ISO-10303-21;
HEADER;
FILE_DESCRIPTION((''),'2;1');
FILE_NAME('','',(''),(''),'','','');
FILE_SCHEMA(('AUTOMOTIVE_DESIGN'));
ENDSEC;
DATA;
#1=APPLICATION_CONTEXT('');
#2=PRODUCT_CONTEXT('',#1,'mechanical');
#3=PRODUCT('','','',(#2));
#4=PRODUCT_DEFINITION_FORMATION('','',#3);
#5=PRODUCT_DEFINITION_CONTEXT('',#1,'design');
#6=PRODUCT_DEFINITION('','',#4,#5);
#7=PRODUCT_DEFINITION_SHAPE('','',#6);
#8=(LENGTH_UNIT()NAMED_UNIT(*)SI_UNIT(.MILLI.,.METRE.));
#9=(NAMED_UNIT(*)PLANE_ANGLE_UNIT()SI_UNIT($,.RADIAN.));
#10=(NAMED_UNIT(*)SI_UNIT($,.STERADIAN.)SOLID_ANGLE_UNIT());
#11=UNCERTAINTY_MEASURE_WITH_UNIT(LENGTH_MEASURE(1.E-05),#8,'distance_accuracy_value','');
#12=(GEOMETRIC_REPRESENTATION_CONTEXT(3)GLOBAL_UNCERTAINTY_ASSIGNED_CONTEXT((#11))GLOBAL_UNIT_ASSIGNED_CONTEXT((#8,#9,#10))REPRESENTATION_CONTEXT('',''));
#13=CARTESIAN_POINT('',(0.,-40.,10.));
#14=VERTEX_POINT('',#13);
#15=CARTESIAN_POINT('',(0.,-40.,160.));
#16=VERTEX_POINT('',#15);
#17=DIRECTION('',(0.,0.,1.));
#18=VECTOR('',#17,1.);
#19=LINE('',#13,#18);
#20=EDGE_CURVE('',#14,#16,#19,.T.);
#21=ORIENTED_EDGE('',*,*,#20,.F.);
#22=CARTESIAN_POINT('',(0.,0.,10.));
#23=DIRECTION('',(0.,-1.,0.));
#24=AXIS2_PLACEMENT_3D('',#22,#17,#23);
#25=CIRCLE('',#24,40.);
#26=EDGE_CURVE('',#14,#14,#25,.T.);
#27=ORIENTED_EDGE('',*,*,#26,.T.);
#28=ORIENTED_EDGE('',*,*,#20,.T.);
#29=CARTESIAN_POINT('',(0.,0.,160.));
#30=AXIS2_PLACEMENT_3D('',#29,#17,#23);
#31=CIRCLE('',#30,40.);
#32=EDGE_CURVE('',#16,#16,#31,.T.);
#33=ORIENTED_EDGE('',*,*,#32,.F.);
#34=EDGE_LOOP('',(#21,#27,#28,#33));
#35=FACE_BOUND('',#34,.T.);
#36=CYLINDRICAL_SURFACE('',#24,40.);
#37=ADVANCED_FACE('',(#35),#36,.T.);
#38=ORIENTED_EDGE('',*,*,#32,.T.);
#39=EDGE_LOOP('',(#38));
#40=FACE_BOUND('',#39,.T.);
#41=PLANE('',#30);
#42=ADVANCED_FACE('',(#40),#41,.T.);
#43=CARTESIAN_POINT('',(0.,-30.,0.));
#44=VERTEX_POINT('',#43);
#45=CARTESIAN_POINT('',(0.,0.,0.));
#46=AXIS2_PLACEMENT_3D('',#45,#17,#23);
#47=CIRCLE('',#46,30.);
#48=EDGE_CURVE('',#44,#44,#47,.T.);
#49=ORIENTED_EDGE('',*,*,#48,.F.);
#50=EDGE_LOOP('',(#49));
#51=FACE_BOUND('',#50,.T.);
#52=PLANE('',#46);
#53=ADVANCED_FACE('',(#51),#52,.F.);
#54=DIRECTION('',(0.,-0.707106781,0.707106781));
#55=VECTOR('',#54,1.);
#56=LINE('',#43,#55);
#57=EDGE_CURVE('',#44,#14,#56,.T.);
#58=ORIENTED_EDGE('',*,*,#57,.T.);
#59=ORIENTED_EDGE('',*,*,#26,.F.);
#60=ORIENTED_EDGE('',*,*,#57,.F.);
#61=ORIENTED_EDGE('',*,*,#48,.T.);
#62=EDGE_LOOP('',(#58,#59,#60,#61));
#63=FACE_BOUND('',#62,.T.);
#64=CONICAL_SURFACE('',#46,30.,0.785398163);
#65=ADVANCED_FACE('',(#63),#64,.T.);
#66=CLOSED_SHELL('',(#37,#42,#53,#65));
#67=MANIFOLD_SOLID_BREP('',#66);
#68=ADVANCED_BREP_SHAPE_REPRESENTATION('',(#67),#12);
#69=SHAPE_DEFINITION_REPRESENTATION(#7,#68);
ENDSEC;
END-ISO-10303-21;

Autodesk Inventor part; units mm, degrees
ref_plane "YZ Plane" through (0, 0, 0) normal (1, 0, 0) x (0, 1, 0)
ref_plane "XZ Plane" through (0, 0, 0) normal (0, 1, 0) x (-1, 0, 0)
ref_plane "XY Plane" through (0, 0, 0) normal (0, 0, 1) x (1, 0, 0)
sketch "Skizze2" plane through (0, 0, 0) normal (1, 0, 0) x (0, 1, 0)
  line L0 (0, -33.6907) -> (0, 203.7987)
  line L1 (0, 0) -> (-30, 0)
  line L2 (-30, 0) -> (-40, 10)
  line L3 (-40, 10) -> (-40, 160)
  line L4 (-40, 160) -> (0, 160)
  dimension "d0" = 160
  dimension "d1" = 80
  dimension "d2" = 45
  dimension "d3" = 10
revolve "Umdrehung1" add sketch "Skizze2" angle 360 about axis through (0, 0, -33.6907) along (0, 0, 1)
properties part number "Dose_unten"
